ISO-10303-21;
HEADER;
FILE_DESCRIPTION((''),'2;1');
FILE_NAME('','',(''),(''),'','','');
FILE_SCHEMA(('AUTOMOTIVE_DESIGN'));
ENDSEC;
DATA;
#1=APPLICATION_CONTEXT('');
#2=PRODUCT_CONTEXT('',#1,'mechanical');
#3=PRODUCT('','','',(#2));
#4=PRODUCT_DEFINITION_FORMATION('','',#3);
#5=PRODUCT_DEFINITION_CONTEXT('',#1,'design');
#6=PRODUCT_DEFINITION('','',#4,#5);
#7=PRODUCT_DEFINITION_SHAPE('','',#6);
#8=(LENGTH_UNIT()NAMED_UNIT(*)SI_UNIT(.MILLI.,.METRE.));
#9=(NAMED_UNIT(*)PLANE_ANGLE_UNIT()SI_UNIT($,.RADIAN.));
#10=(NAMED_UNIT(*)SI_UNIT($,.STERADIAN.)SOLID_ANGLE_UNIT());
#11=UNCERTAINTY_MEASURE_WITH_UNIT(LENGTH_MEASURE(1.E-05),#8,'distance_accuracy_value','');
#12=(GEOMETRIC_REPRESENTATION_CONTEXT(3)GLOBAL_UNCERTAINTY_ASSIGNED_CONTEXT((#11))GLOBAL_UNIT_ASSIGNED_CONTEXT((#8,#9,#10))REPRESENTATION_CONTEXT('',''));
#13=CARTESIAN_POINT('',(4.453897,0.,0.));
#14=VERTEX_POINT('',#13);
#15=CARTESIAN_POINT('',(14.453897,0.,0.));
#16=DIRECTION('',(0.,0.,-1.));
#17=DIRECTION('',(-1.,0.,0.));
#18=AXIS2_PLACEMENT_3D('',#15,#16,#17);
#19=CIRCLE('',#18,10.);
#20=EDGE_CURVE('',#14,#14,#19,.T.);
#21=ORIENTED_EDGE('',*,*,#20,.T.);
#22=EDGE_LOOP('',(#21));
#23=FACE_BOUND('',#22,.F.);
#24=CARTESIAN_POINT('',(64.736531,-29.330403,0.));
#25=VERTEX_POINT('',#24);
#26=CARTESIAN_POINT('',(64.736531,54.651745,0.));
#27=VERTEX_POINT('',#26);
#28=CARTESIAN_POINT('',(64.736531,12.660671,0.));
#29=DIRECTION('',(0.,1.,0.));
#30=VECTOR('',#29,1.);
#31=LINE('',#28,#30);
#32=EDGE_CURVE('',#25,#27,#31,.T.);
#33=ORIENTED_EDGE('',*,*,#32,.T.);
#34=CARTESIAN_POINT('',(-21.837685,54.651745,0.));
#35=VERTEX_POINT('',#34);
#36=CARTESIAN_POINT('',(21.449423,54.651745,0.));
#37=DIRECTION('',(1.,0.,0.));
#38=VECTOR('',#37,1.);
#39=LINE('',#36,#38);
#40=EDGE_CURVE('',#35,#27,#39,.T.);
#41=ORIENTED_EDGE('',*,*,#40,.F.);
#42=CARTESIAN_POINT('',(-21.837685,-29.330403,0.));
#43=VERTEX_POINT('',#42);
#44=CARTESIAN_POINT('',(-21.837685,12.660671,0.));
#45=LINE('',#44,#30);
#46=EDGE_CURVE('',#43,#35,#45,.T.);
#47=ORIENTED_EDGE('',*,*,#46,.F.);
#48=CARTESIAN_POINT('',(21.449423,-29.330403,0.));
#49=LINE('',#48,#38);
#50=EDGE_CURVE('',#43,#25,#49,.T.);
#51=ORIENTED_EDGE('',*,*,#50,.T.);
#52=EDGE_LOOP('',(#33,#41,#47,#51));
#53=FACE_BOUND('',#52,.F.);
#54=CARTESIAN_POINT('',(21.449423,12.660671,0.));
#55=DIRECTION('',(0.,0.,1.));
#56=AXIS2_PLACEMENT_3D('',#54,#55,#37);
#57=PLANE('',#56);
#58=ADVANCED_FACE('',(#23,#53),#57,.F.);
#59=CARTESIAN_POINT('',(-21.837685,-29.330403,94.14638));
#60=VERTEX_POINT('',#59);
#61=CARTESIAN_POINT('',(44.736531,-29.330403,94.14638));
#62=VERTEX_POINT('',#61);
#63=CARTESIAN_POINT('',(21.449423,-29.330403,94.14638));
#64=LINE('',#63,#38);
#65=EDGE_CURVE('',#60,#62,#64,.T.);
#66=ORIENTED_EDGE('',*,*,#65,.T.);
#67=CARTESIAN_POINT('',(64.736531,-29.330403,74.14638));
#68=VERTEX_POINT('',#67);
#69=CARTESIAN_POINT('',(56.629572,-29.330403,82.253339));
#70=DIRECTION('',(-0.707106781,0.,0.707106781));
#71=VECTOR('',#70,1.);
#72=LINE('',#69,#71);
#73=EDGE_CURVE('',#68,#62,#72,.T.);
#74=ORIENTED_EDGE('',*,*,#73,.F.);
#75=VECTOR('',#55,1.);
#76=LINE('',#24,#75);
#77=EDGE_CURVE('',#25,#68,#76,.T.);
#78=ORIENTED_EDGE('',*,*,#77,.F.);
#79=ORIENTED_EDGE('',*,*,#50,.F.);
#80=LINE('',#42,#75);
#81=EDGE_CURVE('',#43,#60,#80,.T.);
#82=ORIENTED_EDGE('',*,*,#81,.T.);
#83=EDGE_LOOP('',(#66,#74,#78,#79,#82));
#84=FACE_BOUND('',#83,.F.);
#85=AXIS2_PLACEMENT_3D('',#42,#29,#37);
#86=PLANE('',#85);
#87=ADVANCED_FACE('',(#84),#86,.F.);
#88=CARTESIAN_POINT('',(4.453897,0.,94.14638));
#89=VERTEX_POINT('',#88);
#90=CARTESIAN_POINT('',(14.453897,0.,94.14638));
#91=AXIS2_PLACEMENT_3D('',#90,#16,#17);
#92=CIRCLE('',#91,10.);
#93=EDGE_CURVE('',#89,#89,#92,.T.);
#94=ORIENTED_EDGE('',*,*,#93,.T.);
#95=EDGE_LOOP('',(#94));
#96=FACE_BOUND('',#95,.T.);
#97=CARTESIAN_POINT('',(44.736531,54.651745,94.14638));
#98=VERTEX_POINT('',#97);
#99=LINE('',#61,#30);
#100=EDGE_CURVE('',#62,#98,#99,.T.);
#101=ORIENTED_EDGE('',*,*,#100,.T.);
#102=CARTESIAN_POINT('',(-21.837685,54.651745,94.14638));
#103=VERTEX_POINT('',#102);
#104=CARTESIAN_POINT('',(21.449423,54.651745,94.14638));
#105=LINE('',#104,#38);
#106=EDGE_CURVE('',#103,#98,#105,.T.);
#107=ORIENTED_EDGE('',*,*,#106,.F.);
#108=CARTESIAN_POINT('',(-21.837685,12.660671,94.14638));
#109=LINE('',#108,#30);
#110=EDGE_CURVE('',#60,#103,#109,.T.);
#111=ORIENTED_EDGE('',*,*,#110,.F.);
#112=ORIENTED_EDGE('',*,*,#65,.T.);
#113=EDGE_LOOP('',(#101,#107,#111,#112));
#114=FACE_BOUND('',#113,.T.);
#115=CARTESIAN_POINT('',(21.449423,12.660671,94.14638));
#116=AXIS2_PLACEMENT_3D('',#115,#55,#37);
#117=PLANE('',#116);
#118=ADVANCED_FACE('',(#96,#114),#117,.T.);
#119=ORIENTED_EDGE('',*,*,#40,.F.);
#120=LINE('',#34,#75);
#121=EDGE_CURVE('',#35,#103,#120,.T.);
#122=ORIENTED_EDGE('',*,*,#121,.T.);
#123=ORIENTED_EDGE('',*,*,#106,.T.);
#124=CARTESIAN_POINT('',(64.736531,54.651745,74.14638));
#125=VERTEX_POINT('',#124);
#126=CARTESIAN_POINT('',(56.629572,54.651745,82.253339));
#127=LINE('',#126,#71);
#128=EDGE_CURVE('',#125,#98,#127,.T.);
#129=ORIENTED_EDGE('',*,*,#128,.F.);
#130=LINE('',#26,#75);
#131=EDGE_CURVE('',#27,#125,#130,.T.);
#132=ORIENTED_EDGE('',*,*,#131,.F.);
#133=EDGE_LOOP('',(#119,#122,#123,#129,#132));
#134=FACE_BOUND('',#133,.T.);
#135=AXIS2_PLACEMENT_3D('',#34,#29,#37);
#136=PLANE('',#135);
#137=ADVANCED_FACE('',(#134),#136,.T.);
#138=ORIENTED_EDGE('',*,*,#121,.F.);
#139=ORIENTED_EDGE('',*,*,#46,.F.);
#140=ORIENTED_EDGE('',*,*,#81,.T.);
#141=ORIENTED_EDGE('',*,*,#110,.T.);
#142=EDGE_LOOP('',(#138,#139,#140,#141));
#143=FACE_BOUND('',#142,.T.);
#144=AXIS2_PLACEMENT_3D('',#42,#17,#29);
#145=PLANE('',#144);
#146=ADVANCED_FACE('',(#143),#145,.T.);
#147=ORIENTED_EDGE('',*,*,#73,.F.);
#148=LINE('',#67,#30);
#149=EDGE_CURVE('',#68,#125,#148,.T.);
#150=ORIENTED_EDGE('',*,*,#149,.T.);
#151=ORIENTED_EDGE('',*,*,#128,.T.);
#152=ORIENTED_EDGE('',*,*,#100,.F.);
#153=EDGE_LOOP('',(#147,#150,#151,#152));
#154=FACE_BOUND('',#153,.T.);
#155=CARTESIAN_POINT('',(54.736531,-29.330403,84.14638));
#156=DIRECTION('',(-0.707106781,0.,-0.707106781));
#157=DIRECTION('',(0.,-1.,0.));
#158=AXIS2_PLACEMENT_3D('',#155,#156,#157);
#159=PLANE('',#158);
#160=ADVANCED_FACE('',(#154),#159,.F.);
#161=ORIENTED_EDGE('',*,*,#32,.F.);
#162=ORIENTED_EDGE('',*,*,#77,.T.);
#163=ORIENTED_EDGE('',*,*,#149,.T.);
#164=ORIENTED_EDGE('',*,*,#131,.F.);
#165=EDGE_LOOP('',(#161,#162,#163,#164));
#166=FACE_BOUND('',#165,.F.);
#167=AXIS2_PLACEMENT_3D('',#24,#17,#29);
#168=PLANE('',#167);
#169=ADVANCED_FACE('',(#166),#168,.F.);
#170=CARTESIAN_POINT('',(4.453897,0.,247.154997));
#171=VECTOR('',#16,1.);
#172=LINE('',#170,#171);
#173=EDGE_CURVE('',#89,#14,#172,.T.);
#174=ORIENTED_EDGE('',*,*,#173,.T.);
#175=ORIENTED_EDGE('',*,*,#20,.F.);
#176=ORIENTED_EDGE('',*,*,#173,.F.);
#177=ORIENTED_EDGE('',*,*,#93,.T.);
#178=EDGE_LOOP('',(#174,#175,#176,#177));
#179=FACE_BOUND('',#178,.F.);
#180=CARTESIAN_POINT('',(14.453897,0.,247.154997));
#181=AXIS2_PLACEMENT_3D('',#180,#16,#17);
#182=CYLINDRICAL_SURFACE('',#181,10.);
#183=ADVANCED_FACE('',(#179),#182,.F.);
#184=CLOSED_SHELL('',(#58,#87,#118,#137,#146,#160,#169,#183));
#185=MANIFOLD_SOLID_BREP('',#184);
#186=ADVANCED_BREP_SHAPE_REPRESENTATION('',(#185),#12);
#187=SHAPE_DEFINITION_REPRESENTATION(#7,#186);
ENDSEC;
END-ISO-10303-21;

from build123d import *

# Parameters (mm, degrees)
F0_W     = 86.574215
F0_H     = 83.982148
F1_DEPTH = 94.14638
F2_SIZE  = 20
F4_D     = 20


with BuildPart() as f1:
    # F0 (on Top) → F1 (new body)
    with BuildSketch(Plane.XY):
        with Locations((21.449423, 12.660671)):
            Rectangle(F0_W, F0_H)
    extrude(amount=F1_DEPTH)

    # F2
    f2_edges = [f1.edges().sort_by_distance(p)[0] for p in [
        (64.73653, 12.660671, 94.14638),
    ]]
    chamfer(f2_edges, length=F2_SIZE)

    # F4 (through all)
    with Locations(Plane.XY.offset(94.14638)):
        with Locations((14.453897, 0)):
            Hole(F4_D / 2)


solid = f1.part
